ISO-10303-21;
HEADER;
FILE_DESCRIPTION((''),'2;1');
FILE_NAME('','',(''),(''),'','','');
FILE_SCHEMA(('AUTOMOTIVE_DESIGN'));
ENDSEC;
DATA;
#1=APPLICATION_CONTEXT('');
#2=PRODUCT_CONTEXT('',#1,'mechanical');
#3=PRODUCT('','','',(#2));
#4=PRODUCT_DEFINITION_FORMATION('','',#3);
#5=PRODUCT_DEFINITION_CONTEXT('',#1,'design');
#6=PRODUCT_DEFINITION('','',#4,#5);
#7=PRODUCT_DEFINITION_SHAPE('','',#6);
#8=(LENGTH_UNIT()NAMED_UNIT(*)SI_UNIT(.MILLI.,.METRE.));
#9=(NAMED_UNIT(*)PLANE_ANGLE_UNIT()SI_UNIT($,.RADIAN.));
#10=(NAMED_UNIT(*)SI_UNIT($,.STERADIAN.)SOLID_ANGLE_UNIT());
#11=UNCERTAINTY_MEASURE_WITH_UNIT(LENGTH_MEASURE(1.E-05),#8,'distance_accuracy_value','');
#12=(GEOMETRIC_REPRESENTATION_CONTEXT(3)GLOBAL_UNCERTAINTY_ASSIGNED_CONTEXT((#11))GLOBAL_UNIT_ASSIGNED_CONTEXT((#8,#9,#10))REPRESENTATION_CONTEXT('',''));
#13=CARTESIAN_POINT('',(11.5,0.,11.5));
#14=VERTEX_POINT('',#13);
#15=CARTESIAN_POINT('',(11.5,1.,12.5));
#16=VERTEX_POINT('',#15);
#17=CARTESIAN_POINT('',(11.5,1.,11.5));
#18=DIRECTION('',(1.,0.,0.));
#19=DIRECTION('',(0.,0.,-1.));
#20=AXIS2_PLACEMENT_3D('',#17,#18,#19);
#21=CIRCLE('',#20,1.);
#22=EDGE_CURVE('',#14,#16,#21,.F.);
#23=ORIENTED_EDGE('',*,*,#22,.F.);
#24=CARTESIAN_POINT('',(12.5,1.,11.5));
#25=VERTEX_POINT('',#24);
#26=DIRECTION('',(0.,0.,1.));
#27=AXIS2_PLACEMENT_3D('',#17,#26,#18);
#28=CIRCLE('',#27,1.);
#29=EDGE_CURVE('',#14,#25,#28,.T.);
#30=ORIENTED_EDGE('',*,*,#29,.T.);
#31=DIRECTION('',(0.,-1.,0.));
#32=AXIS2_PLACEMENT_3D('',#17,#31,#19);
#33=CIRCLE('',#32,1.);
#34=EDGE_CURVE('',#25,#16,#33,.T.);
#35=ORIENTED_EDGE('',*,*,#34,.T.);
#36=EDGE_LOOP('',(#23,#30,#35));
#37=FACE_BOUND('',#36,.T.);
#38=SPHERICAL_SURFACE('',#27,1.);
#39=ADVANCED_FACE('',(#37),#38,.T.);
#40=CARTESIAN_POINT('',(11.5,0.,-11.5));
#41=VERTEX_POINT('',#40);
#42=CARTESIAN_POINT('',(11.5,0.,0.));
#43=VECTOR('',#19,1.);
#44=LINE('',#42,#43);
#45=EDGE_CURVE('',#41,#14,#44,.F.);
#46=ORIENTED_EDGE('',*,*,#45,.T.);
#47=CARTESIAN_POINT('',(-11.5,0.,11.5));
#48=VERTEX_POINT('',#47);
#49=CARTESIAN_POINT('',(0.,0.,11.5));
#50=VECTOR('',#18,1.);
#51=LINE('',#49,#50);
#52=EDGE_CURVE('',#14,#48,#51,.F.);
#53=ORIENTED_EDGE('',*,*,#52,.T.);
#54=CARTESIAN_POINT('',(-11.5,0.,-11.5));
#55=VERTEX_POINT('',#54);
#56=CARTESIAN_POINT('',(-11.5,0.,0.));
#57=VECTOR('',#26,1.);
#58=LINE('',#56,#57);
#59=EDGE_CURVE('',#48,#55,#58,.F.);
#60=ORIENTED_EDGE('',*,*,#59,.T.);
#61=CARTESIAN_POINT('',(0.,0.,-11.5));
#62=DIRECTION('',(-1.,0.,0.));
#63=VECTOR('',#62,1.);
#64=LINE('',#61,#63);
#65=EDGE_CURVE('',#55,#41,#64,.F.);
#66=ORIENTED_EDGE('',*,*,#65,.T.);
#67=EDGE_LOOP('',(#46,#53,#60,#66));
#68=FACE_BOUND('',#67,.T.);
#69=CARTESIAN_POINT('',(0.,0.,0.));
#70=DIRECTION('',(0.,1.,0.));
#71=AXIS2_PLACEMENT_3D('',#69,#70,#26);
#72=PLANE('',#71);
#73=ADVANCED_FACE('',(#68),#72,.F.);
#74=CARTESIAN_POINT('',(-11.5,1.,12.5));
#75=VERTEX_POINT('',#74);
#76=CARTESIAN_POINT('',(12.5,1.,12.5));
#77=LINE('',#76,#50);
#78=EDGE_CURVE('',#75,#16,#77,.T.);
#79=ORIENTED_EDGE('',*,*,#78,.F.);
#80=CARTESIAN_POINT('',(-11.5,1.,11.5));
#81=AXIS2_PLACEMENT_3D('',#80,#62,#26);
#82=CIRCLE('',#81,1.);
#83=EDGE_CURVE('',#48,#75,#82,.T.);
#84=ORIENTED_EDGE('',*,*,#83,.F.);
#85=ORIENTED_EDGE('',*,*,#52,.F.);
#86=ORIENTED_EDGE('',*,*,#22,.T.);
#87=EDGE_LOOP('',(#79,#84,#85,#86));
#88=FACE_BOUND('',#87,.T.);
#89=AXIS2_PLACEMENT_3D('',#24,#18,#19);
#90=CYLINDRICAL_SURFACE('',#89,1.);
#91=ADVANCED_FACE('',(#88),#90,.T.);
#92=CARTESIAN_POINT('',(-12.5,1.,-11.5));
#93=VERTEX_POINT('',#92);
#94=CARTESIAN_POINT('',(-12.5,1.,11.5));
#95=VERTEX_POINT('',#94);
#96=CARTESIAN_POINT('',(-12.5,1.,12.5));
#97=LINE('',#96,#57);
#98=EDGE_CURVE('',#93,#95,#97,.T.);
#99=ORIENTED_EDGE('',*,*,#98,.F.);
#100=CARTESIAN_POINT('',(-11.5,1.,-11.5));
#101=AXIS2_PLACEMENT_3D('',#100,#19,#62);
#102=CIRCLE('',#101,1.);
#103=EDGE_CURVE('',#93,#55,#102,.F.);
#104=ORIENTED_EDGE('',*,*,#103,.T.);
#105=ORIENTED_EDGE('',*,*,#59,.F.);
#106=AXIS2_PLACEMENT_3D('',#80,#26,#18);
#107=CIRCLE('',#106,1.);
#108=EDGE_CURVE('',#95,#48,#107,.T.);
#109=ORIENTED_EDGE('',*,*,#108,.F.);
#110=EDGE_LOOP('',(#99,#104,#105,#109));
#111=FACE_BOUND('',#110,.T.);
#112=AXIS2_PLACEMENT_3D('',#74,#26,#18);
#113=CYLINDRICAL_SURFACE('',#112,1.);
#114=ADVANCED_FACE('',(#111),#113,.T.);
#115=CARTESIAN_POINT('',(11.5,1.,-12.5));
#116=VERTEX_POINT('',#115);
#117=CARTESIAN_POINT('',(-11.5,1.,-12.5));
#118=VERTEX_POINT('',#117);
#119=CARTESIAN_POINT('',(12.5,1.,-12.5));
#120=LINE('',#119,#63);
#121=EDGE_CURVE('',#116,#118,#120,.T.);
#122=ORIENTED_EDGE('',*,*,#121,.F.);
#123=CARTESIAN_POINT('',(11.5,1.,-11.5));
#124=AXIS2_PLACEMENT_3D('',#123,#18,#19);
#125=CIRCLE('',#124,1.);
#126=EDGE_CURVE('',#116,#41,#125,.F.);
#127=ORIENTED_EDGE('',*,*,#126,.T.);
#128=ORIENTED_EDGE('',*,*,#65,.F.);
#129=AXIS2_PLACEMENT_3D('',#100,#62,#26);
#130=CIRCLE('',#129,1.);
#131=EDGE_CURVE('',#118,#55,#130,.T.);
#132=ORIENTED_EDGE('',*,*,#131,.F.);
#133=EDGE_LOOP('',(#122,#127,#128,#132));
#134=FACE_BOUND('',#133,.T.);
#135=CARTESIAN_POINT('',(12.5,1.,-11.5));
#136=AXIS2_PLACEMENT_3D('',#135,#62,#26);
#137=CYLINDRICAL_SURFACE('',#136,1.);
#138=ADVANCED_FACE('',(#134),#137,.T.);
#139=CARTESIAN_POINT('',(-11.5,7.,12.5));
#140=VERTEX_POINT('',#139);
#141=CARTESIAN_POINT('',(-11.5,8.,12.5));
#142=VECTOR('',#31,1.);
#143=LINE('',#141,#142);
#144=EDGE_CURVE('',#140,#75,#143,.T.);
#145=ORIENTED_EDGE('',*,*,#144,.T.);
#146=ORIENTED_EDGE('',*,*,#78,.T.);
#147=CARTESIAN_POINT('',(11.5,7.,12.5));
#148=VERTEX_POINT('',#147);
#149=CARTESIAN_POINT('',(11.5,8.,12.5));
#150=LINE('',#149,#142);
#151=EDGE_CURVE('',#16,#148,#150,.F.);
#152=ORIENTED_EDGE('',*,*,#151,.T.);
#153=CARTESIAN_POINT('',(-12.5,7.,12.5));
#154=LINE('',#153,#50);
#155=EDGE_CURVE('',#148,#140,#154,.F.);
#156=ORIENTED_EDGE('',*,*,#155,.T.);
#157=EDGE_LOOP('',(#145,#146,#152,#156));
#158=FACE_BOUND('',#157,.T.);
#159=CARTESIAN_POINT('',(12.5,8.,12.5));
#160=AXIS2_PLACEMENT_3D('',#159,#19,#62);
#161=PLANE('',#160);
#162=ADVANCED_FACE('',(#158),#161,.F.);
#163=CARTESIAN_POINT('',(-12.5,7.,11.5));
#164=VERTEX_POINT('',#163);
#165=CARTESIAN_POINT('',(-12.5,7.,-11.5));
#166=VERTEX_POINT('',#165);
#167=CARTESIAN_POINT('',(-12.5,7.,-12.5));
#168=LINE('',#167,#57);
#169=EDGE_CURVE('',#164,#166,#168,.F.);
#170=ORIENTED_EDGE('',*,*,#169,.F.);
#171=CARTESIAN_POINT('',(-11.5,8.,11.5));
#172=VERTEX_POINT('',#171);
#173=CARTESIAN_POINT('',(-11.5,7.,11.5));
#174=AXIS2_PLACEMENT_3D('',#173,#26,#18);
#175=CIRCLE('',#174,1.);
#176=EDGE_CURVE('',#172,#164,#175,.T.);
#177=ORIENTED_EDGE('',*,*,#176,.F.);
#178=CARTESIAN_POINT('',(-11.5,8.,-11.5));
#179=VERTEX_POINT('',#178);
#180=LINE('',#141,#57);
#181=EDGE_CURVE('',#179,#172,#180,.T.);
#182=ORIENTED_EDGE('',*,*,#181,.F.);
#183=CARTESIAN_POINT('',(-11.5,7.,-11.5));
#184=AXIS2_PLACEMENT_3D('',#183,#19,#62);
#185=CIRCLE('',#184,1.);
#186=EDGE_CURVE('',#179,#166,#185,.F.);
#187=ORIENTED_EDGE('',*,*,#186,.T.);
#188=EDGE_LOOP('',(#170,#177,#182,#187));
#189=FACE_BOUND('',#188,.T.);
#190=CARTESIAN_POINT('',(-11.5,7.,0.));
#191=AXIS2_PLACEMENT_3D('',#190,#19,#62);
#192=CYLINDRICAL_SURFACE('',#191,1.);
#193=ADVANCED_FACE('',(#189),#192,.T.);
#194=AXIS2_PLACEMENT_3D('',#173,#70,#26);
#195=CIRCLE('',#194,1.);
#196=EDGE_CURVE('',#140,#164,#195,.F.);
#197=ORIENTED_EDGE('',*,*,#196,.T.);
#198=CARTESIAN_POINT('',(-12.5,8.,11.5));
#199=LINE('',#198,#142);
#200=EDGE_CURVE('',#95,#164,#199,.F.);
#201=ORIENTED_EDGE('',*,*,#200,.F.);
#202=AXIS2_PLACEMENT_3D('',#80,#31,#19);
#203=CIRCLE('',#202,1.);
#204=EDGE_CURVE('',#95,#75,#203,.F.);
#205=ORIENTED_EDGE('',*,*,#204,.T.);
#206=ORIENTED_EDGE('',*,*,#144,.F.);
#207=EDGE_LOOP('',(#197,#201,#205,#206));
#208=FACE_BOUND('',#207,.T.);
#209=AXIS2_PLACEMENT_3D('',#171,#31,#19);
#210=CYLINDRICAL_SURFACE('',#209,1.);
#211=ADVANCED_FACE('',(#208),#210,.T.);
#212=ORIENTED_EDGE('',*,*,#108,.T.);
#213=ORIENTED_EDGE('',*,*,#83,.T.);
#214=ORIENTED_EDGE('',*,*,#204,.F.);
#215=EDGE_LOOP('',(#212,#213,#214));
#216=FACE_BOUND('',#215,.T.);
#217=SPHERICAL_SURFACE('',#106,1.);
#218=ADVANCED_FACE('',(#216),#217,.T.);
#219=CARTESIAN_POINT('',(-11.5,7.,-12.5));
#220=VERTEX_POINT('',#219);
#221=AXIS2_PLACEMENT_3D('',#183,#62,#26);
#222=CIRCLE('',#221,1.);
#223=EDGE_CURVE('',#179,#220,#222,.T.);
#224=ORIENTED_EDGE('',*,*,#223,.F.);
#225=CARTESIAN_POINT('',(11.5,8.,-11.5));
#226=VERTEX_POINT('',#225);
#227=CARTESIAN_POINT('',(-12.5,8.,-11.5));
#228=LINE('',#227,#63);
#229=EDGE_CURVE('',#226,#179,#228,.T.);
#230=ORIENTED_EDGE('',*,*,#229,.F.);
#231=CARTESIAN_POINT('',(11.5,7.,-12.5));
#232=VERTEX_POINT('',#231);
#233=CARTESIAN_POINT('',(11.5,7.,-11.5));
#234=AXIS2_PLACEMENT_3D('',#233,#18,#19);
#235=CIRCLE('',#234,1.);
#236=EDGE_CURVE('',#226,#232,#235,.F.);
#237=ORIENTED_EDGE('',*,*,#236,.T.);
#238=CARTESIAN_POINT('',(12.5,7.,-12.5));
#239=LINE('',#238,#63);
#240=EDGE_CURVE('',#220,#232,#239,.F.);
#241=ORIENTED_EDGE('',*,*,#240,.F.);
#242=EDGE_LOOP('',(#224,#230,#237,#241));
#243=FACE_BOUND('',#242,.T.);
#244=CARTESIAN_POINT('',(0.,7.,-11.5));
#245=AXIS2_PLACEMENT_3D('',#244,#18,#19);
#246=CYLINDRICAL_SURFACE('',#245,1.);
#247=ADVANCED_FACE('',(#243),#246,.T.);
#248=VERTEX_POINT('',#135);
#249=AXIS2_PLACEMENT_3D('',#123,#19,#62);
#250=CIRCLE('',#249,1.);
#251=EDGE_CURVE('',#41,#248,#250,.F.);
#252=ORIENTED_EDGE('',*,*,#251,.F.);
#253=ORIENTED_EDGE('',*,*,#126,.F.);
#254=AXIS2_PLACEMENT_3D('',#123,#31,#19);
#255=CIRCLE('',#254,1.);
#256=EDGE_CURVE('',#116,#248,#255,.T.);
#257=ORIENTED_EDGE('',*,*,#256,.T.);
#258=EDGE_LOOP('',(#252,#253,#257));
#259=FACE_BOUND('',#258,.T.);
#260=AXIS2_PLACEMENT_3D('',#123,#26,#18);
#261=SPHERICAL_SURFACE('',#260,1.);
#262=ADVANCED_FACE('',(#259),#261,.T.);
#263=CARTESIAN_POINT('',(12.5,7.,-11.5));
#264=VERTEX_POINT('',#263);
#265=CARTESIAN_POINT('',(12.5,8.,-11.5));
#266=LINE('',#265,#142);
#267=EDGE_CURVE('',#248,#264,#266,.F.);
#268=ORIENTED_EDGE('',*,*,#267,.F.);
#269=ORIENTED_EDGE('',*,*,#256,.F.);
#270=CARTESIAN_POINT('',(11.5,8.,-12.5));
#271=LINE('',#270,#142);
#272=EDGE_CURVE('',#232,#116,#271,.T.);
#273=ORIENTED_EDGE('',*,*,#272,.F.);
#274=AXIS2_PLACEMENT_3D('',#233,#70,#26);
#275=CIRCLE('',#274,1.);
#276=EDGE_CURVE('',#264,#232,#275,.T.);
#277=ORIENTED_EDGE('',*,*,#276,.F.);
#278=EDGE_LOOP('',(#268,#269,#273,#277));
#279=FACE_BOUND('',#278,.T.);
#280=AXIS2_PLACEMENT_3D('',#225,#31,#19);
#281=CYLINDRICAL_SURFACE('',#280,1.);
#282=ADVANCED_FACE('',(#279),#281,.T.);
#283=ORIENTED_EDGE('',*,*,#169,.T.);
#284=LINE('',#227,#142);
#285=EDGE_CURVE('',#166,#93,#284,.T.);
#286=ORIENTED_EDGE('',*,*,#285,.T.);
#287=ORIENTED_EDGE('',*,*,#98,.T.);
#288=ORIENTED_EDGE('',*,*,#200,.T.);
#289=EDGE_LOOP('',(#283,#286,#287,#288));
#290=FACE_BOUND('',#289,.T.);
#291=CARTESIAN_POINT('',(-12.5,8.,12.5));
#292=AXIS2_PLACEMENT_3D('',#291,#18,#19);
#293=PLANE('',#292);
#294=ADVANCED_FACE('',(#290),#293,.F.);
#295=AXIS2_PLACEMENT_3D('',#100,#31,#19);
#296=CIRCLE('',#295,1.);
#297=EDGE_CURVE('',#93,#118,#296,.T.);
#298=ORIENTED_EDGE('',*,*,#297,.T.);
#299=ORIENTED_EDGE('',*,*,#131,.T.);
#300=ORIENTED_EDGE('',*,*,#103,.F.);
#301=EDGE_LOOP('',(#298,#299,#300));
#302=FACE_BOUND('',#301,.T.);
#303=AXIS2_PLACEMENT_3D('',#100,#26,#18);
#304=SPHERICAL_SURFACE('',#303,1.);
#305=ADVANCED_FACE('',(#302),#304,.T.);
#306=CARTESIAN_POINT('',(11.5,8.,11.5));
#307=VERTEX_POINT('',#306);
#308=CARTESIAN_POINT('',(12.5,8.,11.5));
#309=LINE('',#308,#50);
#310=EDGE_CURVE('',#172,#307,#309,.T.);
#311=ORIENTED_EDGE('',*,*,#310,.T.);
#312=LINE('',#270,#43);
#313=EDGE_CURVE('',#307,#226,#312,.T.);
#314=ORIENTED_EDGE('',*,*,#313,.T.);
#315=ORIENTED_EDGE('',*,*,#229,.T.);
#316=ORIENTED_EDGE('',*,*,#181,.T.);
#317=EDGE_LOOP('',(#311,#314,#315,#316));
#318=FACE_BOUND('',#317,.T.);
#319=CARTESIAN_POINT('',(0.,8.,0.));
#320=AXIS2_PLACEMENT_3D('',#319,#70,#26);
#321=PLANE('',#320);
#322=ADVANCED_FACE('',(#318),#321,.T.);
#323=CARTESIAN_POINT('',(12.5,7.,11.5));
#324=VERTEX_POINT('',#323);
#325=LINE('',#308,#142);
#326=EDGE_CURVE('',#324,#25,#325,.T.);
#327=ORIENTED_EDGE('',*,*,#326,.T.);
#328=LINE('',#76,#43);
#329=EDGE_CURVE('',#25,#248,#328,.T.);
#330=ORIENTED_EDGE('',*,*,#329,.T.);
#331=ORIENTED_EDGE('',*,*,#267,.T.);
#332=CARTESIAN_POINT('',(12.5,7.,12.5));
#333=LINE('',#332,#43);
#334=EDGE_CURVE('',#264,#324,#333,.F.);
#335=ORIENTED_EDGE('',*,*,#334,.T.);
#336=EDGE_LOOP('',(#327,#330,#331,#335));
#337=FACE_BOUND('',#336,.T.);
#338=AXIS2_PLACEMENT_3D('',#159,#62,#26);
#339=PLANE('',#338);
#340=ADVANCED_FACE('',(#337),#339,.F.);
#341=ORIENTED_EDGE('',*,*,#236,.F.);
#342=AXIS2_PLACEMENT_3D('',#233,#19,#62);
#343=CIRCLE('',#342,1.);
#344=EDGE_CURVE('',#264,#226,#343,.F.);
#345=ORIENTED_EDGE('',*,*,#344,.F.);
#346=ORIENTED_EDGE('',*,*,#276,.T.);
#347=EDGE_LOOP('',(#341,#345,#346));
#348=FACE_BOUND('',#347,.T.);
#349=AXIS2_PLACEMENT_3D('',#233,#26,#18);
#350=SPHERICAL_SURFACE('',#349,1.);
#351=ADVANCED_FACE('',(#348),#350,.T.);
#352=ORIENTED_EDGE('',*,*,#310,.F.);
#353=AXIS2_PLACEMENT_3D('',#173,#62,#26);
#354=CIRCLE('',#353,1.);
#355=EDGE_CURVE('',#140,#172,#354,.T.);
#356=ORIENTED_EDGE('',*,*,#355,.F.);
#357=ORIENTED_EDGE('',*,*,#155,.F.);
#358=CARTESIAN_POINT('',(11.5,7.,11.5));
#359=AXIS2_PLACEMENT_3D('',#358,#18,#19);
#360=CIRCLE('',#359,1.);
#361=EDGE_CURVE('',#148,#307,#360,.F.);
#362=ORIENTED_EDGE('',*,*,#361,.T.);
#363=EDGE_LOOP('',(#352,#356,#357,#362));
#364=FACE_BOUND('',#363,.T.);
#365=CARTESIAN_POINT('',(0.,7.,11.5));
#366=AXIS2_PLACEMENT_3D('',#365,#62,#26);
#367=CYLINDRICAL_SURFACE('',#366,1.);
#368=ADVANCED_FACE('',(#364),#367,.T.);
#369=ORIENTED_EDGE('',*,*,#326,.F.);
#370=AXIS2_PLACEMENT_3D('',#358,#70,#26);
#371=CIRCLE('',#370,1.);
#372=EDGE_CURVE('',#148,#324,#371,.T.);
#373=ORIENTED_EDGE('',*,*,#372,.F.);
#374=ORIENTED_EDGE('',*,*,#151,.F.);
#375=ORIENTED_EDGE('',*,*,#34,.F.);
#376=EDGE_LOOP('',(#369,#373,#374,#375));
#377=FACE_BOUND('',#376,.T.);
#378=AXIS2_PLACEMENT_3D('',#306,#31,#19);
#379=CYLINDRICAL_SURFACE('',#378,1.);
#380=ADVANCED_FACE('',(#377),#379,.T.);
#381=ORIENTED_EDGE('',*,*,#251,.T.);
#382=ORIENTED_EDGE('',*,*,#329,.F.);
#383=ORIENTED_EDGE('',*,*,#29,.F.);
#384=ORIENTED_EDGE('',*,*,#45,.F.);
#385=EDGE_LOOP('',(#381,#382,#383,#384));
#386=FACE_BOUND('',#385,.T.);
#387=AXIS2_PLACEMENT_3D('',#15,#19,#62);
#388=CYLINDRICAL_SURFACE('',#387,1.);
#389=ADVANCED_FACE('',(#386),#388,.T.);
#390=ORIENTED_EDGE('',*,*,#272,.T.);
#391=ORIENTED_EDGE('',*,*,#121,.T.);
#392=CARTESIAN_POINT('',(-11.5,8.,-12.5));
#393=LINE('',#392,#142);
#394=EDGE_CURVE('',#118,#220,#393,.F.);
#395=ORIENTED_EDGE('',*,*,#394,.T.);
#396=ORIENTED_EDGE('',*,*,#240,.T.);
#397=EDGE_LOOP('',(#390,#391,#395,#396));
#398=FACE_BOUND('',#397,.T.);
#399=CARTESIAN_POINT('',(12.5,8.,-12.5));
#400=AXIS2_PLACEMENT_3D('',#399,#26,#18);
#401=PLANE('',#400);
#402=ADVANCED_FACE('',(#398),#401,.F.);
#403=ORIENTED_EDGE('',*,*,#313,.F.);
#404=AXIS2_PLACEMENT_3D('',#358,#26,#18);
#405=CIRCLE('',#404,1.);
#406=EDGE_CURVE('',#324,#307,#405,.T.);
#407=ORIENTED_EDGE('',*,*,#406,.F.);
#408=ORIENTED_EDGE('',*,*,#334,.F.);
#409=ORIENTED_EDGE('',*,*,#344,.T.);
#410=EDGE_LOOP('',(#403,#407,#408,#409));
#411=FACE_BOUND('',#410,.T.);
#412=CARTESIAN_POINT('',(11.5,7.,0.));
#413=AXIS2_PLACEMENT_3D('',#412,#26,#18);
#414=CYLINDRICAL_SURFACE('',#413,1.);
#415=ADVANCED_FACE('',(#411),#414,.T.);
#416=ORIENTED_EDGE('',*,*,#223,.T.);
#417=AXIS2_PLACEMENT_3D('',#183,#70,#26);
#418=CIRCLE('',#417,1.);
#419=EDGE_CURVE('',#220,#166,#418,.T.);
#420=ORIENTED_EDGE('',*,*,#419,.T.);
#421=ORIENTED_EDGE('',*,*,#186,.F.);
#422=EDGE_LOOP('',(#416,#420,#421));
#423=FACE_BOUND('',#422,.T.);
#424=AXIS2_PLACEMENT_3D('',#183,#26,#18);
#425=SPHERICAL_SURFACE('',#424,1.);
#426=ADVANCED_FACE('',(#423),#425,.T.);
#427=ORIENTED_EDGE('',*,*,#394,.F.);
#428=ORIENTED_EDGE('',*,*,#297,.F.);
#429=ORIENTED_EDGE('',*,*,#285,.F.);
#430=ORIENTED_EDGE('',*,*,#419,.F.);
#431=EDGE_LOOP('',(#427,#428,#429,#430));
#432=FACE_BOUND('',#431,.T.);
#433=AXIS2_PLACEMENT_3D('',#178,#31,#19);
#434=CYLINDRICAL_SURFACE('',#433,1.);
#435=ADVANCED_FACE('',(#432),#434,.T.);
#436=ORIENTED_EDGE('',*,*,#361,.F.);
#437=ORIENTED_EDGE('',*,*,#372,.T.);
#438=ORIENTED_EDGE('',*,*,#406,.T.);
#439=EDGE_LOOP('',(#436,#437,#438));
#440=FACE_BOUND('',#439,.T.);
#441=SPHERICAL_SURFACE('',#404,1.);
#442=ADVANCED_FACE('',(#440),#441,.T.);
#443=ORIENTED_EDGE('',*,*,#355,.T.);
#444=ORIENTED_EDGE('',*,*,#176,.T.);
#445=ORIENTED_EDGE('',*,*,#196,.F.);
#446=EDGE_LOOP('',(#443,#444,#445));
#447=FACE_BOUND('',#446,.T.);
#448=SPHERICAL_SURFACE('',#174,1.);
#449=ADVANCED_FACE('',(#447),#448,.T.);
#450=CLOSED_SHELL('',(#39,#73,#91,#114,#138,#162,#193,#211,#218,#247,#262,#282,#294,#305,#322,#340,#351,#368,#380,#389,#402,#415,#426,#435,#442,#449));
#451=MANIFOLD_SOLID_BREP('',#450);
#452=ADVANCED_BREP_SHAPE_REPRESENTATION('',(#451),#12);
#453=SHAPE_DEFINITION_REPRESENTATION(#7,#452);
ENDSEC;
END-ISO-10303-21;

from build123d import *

# Parameters (mm, degrees)
SKETCH1_W  = 25
SKETCH1_H  = 25
BASE_DEPTH = 8
FILLET1_R  = 1


with BuildPart() as part:
    # Sketch1 → Base (new body)
    with BuildSketch(Plane(origin=(0, 0, 0), x_dir=(1, 0, 0), z_dir=(0, 1, 0))):
        Rectangle(SKETCH1_W, SKETCH1_H)
    extrude(amount=BASE_DEPTH)

    # Fillet1
    fillet1_edges = [part.edges().sort_by_distance(p)[0] for p in [
        (12.5, 8, 0),
        (0, 8, -12.5),
        (-12.5, 8, 0),
        (0, 0, -12.5),
        (12.5, 0, 0),
        (0, 0, 12.5),
        (-12.5, 0, 0),
        (-12.5, 4, -12.5),
        (12.5, 4, -12.5),
        (12.5, 4, 12.5),
        (-12.5, 4, 12.5),
        (0, 8, 12.5),
    ]]
    fillet(fillet1_edges, radius=FILLET1_R)


solid = part.part
